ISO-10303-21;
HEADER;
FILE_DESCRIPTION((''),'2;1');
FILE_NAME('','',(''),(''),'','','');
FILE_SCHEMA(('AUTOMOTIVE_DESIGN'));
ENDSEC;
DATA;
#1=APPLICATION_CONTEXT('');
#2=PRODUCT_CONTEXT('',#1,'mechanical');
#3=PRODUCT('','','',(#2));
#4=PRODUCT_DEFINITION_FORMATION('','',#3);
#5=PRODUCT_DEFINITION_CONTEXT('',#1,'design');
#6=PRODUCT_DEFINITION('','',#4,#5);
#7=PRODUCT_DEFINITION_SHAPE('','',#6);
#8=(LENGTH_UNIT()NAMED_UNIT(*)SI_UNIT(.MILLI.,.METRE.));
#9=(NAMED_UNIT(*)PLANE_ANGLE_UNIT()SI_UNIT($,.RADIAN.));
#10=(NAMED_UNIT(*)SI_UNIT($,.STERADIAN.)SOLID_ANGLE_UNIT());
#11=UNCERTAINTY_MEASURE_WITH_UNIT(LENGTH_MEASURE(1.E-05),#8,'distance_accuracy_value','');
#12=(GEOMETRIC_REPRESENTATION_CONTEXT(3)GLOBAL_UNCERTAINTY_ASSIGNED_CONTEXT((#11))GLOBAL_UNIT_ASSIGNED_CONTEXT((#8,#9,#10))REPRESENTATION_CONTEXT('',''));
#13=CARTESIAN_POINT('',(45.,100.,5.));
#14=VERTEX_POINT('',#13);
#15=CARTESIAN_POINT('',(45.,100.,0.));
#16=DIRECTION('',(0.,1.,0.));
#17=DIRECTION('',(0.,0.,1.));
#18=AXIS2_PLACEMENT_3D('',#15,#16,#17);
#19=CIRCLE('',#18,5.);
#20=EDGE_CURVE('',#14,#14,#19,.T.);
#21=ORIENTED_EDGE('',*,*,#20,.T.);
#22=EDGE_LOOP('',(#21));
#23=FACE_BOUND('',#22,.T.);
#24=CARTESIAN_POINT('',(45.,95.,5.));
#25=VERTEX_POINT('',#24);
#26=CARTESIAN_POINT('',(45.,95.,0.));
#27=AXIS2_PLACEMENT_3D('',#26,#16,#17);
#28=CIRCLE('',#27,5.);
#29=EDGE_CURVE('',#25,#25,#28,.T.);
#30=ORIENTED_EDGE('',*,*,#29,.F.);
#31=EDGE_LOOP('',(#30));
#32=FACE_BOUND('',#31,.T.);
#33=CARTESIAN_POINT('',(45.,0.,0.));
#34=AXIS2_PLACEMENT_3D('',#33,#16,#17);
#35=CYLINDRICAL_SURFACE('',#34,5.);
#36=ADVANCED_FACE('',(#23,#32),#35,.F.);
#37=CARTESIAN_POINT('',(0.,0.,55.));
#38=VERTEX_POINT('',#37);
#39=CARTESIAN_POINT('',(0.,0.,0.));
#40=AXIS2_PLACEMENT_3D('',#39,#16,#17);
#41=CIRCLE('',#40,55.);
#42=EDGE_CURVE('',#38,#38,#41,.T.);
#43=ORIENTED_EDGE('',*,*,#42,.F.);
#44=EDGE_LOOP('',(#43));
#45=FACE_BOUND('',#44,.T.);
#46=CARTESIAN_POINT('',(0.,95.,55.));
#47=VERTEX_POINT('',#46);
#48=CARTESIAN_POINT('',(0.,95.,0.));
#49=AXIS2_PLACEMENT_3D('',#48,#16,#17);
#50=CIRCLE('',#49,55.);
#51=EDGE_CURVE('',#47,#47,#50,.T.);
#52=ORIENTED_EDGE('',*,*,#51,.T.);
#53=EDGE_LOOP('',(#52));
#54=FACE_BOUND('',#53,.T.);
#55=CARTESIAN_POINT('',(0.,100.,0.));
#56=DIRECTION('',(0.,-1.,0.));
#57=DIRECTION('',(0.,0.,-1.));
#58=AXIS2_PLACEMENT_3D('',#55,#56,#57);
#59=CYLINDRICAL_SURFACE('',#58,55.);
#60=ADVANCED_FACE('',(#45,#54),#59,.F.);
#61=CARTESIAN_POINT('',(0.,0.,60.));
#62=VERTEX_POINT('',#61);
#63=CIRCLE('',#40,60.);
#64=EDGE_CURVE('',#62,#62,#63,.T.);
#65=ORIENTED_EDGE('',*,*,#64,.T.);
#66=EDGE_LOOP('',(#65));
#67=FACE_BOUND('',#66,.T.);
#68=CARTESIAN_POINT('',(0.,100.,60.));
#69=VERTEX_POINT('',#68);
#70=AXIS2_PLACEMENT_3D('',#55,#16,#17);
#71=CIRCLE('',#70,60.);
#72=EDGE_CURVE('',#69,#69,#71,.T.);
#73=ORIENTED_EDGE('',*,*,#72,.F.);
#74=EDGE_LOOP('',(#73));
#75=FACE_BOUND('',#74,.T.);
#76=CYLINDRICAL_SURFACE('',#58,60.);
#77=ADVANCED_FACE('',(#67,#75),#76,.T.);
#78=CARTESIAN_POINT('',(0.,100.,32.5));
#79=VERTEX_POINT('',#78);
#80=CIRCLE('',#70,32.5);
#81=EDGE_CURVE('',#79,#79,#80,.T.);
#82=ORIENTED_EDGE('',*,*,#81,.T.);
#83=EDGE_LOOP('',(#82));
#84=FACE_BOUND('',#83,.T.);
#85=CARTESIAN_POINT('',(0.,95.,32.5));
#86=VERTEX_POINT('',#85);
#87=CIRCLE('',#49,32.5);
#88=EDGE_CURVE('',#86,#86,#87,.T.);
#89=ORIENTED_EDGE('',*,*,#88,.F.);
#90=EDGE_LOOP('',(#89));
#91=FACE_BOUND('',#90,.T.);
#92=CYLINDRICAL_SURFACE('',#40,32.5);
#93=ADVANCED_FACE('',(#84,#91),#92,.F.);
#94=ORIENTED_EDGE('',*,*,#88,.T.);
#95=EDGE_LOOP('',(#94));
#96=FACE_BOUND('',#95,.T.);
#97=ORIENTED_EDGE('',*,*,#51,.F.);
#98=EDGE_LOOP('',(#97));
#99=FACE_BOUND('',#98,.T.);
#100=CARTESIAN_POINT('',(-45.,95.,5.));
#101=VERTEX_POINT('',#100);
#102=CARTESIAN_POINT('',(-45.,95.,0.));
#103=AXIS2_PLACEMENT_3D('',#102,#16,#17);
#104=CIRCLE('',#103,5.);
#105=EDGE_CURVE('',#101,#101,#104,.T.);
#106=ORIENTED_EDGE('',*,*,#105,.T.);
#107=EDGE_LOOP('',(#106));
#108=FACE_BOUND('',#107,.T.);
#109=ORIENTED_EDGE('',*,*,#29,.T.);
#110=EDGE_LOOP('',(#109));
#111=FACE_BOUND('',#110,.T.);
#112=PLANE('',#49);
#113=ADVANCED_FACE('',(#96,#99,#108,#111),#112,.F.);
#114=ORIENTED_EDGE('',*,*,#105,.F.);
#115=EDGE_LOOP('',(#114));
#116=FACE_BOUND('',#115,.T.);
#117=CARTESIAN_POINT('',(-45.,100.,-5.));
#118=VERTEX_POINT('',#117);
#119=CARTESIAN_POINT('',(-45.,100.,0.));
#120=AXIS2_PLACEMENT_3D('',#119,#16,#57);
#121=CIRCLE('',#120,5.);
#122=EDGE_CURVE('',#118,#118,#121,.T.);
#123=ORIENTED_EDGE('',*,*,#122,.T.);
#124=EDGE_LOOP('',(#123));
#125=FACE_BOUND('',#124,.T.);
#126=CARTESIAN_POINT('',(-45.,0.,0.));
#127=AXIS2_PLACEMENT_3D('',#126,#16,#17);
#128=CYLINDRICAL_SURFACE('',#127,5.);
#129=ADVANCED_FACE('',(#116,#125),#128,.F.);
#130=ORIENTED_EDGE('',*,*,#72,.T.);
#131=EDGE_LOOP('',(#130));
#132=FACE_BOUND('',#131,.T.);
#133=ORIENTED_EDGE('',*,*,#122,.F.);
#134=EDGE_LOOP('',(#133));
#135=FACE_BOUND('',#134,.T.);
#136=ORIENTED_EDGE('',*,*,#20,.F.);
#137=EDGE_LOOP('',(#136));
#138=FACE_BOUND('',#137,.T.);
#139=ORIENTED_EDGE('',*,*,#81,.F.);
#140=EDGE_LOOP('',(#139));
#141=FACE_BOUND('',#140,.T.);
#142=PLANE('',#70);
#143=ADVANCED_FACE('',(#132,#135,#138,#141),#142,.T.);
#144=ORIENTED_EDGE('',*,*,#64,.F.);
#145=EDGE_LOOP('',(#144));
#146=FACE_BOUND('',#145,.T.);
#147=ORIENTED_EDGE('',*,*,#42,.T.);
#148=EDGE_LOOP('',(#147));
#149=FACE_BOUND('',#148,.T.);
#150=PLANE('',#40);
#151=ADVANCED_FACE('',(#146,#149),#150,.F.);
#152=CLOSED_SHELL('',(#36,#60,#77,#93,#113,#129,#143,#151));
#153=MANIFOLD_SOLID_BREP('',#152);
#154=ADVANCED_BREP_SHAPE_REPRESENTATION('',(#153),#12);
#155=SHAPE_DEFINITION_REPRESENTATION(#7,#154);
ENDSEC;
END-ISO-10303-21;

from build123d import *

# Parameters (mm, degrees)
SKETCH1_R           = 60
BOSS_EXTRUDE1_DEPTH = 100
SHELL1_T            = -5
SKETCH3_R           = 32.5
CUT_EXTRUDE1_DEPTH  = 132.148770486
SKETCH4_R           = 5
CUT_EXTRUDE2_DEPTH  = 132.148770486


with BuildPart() as part:
    # Sketch1 → Boss-Extrude1 (new body)
    with BuildSketch(Plane(origin=(0, 0, 0), x_dir=(1, 0, 0), z_dir=(0, 1, 0))):
        with Locations(Location((0, 0, 0), (0, 0, 270))):
            Circle(SKETCH1_R)
    extrude(amount=BOSS_EXTRUDE1_DEPTH)

    # Shell1
    shell1_openings = [part.faces().sort_by_distance(p)[0] for p in [
        (0, 0, 0),
    ]]
    offset(amount=SHELL1_T, openings=shell1_openings, kind=Kind.INTERSECTION)

    # Sketch3 → Cut-Extrude1 (cut, through all)
    with BuildSketch(Plane(origin=(0, 100, 0), x_dir=(1, 0, 0), z_dir=(0, 1, 0))):
        with Locations(Location((0, 0, 0), (0, 0, 270))):
            Circle(SKETCH3_R)
    extrude(amount=-CUT_EXTRUDE1_DEPTH, mode=Mode.SUBTRACT)

    # Sketch4 → Cut-Extrude2 (cut, through all)
    with BuildSketch(Plane(origin=(0, 100, 0), x_dir=(1, 0, 0), z_dir=(0, 1, 0))):
        with Locations(Location((45, 0, 0), (0, 0, 270))):
            Circle(SKETCH4_R)
        with Locations(Location((-45, 0, 0), (0, 0, 270))):
            Circle(SKETCH4_R)
    extrude(amount=-CUT_EXTRUDE2_DEPTH, mode=Mode.SUBTRACT)


solid = part.part
